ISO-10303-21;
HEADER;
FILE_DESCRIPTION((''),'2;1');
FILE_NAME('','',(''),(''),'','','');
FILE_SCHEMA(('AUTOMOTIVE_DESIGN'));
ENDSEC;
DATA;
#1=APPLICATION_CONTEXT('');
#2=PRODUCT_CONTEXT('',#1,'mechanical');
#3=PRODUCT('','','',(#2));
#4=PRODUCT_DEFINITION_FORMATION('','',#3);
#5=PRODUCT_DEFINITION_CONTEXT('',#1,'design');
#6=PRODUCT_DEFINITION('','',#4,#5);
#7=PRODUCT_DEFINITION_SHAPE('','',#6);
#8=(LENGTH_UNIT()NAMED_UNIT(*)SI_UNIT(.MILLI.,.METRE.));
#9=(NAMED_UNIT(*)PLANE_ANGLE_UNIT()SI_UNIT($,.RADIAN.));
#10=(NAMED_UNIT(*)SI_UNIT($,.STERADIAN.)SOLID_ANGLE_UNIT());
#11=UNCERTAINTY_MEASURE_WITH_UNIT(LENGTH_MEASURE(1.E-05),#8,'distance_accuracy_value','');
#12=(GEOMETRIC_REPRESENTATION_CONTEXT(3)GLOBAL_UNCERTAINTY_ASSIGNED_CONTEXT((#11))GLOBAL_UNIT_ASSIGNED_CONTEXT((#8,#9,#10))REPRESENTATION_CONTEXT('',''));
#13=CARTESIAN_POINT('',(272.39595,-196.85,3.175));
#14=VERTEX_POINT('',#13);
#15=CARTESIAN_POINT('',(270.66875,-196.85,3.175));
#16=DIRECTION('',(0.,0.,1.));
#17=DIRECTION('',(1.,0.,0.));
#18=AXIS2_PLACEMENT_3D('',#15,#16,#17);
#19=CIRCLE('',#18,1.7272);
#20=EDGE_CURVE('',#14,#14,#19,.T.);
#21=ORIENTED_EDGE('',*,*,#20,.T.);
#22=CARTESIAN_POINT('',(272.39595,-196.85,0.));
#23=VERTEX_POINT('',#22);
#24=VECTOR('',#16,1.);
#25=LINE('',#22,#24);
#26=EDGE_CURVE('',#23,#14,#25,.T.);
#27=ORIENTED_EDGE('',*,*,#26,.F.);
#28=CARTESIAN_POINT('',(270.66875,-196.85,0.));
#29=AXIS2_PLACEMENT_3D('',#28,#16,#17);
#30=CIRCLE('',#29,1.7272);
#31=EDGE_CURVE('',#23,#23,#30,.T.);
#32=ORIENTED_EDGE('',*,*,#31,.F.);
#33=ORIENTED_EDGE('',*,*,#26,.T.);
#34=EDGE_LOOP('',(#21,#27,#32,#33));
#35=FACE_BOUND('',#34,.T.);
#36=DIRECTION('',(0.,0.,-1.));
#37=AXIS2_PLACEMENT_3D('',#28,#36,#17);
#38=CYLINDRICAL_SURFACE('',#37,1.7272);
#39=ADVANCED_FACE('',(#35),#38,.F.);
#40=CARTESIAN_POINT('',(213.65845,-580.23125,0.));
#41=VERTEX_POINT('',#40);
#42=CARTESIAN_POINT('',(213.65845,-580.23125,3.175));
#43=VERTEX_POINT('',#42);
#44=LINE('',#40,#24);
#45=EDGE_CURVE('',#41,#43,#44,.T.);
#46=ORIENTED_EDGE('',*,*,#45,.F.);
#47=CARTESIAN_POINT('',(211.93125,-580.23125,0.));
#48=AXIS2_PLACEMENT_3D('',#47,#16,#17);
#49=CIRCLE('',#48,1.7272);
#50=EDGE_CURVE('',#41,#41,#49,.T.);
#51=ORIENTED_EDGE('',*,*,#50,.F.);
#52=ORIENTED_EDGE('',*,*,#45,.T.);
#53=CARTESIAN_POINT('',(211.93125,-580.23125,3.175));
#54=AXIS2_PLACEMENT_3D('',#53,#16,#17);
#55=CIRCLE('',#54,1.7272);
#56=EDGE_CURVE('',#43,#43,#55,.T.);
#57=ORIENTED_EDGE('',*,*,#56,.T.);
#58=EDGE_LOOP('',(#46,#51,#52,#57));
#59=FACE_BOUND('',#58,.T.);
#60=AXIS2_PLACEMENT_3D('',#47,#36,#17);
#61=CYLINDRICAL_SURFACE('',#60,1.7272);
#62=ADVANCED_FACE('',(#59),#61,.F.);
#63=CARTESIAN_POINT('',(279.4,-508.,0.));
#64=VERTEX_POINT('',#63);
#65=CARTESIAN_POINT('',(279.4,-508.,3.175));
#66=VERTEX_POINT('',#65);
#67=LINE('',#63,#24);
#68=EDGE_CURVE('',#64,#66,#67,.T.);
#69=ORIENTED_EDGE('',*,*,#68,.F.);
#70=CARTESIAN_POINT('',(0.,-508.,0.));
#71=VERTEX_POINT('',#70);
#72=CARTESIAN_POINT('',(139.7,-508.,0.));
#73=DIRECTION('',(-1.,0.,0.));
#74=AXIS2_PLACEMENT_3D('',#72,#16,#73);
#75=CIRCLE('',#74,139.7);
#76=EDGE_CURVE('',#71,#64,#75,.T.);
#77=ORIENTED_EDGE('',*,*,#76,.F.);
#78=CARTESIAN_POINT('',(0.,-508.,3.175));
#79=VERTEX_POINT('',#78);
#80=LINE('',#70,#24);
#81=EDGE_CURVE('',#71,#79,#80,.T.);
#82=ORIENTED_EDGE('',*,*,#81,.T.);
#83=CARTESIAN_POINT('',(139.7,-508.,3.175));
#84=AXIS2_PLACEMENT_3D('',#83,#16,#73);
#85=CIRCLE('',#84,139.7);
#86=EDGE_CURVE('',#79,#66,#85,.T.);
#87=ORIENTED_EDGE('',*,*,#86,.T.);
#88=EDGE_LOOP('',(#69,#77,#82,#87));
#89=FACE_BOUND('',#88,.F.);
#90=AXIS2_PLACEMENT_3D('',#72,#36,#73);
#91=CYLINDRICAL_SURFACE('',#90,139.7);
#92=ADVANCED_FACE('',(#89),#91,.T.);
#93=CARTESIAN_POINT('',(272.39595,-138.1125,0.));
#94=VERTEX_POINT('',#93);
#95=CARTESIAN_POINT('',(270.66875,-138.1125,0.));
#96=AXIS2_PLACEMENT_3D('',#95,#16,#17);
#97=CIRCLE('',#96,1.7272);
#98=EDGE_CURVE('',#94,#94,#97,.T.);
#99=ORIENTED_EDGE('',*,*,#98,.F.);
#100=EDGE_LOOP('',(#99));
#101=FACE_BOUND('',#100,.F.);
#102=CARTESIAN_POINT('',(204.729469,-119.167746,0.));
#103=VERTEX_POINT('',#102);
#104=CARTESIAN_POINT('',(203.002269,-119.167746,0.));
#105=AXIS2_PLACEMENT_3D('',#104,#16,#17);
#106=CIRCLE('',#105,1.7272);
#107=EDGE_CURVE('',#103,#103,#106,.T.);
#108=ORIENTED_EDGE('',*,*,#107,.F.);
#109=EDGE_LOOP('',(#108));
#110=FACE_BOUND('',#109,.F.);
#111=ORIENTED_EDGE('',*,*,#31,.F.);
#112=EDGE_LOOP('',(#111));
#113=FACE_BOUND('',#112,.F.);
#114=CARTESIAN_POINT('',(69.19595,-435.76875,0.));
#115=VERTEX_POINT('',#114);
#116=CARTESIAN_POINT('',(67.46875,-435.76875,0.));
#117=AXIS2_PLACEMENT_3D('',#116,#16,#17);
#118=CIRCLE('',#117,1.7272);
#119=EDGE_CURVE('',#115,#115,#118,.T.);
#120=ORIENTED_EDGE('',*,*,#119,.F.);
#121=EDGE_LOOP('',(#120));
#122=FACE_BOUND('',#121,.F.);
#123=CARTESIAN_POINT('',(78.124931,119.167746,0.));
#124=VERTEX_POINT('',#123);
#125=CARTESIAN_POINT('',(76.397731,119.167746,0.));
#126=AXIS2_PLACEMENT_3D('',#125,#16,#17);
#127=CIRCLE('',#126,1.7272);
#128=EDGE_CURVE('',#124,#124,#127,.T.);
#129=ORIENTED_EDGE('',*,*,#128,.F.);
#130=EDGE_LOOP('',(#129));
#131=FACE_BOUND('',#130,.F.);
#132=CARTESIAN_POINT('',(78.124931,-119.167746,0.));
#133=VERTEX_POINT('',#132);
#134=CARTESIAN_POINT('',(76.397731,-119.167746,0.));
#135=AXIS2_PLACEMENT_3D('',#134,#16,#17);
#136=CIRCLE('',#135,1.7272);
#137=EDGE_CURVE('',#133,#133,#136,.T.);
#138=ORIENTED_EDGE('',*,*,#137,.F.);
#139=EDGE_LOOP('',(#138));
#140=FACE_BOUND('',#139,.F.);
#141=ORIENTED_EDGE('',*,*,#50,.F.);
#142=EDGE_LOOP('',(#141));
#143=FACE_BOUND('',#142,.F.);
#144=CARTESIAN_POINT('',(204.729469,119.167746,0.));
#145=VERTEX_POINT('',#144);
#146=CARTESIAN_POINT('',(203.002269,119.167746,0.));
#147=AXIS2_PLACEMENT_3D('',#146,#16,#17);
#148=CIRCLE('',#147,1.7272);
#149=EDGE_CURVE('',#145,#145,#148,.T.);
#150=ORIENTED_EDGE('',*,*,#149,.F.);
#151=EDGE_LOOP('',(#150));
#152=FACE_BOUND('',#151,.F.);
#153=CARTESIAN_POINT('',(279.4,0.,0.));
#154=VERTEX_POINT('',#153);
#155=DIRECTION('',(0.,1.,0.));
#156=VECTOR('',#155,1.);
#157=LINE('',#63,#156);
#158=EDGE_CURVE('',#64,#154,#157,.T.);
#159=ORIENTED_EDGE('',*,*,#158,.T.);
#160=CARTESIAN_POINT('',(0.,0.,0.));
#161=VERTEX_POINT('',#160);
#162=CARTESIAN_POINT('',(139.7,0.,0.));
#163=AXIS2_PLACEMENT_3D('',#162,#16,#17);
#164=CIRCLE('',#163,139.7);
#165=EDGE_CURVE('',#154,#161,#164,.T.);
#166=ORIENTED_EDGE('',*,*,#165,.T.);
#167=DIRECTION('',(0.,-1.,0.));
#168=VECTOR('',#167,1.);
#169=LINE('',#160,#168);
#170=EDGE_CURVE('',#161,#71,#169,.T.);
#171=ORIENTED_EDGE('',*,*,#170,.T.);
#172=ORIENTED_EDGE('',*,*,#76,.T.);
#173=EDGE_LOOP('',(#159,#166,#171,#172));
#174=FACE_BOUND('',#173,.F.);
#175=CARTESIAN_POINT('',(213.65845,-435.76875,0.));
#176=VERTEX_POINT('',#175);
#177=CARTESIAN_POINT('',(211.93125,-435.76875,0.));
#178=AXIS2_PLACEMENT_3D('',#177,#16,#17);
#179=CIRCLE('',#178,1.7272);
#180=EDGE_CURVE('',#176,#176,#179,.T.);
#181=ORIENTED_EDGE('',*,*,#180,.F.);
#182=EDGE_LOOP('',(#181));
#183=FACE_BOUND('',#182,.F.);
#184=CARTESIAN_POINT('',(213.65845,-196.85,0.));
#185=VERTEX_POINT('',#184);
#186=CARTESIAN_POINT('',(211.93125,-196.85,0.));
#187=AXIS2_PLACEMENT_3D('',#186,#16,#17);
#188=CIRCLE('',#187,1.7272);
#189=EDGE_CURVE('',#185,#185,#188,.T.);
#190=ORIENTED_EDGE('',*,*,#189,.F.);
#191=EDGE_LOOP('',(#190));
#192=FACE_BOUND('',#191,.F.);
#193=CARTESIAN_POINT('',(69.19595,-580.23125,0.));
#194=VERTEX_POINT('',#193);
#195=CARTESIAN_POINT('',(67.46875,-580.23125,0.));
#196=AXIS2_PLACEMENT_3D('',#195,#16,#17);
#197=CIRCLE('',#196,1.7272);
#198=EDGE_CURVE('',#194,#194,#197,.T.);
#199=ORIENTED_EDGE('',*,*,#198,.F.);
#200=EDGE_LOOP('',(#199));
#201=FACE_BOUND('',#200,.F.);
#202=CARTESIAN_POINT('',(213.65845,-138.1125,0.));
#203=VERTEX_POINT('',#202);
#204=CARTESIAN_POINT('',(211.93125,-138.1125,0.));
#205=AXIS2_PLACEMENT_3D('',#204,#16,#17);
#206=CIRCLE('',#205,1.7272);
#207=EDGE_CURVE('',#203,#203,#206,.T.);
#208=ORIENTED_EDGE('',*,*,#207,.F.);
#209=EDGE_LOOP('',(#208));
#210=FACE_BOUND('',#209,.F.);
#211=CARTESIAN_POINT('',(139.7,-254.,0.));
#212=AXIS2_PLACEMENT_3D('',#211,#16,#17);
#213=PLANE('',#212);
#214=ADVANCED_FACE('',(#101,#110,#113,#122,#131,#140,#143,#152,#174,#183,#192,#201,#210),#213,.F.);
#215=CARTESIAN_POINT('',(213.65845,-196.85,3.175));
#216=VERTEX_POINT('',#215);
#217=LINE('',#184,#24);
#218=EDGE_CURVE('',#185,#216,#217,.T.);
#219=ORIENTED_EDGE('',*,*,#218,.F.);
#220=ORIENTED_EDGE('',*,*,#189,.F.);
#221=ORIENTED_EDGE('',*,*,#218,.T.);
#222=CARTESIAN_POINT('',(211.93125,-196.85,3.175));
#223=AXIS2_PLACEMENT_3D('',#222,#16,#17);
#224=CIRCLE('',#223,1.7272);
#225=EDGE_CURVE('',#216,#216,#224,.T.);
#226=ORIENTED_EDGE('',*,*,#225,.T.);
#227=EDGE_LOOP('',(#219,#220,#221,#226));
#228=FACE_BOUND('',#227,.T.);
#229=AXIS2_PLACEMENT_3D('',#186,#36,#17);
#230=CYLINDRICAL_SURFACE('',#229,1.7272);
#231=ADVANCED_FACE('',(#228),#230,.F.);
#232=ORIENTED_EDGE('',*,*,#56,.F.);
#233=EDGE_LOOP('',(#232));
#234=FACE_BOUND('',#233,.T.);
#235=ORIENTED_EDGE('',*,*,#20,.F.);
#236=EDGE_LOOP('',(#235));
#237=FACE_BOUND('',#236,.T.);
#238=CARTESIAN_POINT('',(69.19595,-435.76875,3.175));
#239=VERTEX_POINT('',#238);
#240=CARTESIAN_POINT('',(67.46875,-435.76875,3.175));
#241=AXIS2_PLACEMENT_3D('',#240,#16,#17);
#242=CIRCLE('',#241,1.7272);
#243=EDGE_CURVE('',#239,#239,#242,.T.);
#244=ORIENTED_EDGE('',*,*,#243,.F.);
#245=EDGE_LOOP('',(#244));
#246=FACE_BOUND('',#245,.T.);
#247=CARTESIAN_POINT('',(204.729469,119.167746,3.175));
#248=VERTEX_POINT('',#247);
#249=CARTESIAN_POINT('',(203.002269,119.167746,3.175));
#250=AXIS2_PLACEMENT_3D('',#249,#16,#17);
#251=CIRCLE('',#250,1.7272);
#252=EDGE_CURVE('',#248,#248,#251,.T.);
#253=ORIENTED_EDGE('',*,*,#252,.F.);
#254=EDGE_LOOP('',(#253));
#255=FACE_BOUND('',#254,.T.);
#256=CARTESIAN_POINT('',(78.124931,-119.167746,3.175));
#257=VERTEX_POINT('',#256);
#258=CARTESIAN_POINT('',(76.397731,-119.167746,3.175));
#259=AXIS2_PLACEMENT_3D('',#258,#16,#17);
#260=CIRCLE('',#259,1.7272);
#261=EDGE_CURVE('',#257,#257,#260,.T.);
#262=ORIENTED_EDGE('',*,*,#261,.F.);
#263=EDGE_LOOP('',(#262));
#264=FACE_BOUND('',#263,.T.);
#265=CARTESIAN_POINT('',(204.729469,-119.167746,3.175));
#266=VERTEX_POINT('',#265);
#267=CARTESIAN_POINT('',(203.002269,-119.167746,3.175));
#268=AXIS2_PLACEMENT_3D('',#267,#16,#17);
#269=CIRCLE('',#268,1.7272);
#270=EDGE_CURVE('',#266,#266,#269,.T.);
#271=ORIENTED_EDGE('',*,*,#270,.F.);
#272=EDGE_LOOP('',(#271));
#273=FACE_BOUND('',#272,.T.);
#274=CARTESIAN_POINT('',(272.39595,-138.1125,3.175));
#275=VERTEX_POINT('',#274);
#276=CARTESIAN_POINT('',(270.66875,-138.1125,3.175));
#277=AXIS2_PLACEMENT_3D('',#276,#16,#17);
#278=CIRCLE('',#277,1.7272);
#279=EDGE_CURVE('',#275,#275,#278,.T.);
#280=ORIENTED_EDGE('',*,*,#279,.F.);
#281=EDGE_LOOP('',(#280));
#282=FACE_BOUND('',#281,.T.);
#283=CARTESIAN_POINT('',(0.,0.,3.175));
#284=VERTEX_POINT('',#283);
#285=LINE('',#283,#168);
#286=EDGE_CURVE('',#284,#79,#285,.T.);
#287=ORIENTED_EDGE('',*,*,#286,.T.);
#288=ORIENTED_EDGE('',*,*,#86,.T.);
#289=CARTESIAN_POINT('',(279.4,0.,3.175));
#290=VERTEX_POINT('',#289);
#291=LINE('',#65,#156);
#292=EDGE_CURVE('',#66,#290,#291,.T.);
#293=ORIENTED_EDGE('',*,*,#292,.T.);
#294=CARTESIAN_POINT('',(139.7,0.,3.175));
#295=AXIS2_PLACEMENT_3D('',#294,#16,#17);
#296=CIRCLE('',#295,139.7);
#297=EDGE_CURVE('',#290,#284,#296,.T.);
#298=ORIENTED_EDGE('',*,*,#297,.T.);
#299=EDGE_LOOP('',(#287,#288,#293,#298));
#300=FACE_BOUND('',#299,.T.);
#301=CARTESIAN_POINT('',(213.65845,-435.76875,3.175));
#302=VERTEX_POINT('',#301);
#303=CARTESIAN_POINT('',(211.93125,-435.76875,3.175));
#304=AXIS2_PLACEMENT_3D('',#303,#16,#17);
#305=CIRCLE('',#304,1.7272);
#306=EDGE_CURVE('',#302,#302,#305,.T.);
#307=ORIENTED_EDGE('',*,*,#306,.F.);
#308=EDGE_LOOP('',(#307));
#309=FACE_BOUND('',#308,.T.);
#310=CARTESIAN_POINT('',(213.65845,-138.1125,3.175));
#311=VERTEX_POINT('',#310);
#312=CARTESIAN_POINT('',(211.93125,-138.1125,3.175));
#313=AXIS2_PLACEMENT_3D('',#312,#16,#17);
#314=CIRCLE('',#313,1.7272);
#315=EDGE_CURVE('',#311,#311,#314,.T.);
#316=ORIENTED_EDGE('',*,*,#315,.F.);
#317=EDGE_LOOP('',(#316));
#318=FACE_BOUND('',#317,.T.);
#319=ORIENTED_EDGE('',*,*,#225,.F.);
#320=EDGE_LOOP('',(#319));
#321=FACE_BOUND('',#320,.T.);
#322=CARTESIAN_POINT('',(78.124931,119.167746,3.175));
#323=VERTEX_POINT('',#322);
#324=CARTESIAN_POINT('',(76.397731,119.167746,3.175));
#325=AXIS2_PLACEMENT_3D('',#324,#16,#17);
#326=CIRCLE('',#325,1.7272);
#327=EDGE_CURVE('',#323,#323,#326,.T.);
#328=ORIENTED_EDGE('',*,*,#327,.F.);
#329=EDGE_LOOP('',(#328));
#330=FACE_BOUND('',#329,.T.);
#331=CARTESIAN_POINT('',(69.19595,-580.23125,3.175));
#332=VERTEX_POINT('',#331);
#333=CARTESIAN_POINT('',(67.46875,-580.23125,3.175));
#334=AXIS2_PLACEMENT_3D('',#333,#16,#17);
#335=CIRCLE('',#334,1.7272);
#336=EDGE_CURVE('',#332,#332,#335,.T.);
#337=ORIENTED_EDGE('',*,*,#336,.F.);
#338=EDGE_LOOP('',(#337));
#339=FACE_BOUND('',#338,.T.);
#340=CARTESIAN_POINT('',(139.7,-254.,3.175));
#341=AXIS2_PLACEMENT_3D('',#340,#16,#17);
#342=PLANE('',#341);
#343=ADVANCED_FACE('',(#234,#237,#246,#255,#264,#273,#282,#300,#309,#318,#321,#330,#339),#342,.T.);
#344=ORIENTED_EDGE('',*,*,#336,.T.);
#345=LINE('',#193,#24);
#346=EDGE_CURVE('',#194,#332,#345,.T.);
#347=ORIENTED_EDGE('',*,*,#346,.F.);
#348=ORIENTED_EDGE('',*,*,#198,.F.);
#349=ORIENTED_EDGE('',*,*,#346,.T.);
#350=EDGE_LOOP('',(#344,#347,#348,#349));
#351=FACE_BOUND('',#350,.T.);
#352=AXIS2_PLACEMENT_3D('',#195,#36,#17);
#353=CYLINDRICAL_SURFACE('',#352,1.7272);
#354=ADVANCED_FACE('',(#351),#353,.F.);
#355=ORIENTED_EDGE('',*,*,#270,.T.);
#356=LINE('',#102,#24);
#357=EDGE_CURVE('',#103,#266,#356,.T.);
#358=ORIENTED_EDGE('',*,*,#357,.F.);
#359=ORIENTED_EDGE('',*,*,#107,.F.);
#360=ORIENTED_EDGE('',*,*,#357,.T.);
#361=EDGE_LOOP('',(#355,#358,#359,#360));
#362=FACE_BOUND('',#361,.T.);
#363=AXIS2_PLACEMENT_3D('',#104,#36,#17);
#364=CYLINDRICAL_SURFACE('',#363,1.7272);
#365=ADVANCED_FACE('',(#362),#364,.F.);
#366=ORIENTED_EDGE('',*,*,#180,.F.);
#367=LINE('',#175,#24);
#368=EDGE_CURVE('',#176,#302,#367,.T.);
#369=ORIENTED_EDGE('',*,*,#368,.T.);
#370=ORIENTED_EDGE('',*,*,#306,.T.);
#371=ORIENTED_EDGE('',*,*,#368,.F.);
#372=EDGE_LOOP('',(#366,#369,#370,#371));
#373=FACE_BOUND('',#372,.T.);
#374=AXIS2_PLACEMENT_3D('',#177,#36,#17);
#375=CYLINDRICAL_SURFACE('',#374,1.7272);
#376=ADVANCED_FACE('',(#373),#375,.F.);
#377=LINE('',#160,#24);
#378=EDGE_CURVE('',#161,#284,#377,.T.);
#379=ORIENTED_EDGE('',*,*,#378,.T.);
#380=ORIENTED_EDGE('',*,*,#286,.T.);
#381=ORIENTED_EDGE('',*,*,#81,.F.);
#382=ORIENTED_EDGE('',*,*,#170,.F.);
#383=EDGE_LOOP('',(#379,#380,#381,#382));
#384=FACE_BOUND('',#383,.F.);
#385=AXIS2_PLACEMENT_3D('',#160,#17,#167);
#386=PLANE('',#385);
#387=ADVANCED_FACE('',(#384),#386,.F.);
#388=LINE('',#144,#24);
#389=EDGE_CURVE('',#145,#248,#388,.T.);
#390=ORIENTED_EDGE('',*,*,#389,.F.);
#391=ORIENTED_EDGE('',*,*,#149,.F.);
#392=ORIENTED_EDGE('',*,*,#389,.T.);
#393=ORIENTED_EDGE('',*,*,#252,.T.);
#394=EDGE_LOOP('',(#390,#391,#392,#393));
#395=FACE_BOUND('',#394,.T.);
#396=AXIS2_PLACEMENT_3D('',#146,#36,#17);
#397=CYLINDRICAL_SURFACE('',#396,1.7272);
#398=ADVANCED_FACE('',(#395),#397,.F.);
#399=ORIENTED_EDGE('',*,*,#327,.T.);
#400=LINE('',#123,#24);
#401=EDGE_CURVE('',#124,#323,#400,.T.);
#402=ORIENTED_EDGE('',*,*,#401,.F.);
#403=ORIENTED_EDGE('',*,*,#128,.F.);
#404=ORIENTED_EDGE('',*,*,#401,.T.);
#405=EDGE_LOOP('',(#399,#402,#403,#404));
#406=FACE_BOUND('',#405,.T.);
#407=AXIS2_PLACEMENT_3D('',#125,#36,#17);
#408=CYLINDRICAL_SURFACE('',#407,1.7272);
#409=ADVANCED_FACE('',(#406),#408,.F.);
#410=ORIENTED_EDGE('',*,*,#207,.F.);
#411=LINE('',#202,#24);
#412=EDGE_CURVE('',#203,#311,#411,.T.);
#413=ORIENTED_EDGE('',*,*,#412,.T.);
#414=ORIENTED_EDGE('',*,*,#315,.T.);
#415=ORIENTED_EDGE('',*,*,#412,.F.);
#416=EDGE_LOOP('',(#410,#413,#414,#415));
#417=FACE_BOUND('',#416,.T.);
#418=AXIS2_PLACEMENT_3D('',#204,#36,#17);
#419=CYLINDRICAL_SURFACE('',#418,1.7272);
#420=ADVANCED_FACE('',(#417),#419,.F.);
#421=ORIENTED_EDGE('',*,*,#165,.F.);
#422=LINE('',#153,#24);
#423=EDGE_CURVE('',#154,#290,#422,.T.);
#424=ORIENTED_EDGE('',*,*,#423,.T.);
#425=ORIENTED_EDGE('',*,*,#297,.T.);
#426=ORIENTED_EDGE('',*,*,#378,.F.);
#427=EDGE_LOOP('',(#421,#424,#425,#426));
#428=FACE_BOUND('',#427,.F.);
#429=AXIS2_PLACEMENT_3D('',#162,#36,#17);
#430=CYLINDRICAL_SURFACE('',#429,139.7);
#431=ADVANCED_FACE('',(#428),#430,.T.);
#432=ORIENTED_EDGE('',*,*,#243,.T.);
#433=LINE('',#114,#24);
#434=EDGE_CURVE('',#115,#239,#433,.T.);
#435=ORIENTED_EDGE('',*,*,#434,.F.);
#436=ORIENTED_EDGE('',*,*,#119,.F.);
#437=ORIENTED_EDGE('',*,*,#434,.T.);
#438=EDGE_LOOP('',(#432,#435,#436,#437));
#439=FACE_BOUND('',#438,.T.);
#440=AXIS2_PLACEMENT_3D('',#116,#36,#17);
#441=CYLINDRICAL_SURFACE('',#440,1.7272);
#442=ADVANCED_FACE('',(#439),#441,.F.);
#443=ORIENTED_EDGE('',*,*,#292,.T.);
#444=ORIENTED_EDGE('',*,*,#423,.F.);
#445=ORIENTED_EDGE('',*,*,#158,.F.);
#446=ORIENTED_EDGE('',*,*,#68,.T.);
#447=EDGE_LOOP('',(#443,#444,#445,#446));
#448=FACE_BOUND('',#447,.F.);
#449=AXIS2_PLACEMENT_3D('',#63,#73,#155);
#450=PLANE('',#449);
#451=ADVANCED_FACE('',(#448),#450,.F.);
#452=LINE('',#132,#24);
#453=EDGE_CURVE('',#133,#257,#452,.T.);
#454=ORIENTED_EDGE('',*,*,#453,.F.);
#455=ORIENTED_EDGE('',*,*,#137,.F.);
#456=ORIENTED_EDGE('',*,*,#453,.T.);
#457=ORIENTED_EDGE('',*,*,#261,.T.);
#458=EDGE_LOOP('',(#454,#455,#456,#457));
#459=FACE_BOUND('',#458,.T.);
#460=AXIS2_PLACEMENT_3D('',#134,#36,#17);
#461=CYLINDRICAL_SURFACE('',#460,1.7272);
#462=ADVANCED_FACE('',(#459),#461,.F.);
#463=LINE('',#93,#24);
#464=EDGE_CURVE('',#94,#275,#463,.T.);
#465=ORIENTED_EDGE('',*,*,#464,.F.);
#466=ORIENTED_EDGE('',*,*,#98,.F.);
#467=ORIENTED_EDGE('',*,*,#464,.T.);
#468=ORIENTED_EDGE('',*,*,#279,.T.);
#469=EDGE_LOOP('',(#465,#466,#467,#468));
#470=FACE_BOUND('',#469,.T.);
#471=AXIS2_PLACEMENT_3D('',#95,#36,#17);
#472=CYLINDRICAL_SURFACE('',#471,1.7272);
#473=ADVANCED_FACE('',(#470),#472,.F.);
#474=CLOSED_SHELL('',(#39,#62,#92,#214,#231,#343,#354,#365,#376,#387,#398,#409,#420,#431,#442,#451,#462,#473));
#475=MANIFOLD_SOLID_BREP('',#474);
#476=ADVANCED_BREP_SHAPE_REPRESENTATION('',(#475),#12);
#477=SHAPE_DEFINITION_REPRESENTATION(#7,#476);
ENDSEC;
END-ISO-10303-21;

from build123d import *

# Parameters (mm, degrees)
F0_R     = 1.7272
F1_DEPTH = 3.175


with BuildPart() as f1:
    # F0 (on Top) → F1 (new body)
    with BuildSketch(Plane.XY):
        with BuildLine():
            ThreePointArc((279.4, 0), (139.7, 139.7), (0, 0))
            Line((0, 0), (0, -508))
            ThreePointArc((0, -508), (139.7, -647.7), (279.4, -508))
            Line((279.4, -508), (279.4, 0))
        make_face()
        with Locations((67.46875, -580.23125)):
            Circle(F0_R, mode=Mode.SUBTRACT)
        with Locations((67.46875, -435.76875)):
            Circle(F0_R, mode=Mode.SUBTRACT)
        with Locations((211.93125, -580.23125)):
            Circle(F0_R, mode=Mode.SUBTRACT)
        with Locations((211.93125, -435.76875)):
            Circle(F0_R, mode=Mode.SUBTRACT)
        with Locations((76.397731, -119.167746)):
            Circle(F0_R, mode=Mode.SUBTRACT)
        with Locations((76.397731, 119.167746)):
            Circle(F0_R, mode=Mode.SUBTRACT)
        with Locations((203.002269, -119.167746)):
            Circle(F0_R, mode=Mode.SUBTRACT)
        with Locations((211.93125, -196.85)):
            Circle(F0_R, mode=Mode.SUBTRACT)
        with Locations((270.66875, -196.85)):
            Circle(F0_R, mode=Mode.SUBTRACT)
        with Locations((211.93125, -138.1125)):
            Circle(F0_R, mode=Mode.SUBTRACT)
        with Locations((270.66875, -138.1125)):
            Circle(F0_R, mode=Mode.SUBTRACT)
        with Locations((203.002269, 119.167746)):
            Circle(F0_R, mode=Mode.SUBTRACT)
    extrude(amount=F1_DEPTH)


solid = f1.part
